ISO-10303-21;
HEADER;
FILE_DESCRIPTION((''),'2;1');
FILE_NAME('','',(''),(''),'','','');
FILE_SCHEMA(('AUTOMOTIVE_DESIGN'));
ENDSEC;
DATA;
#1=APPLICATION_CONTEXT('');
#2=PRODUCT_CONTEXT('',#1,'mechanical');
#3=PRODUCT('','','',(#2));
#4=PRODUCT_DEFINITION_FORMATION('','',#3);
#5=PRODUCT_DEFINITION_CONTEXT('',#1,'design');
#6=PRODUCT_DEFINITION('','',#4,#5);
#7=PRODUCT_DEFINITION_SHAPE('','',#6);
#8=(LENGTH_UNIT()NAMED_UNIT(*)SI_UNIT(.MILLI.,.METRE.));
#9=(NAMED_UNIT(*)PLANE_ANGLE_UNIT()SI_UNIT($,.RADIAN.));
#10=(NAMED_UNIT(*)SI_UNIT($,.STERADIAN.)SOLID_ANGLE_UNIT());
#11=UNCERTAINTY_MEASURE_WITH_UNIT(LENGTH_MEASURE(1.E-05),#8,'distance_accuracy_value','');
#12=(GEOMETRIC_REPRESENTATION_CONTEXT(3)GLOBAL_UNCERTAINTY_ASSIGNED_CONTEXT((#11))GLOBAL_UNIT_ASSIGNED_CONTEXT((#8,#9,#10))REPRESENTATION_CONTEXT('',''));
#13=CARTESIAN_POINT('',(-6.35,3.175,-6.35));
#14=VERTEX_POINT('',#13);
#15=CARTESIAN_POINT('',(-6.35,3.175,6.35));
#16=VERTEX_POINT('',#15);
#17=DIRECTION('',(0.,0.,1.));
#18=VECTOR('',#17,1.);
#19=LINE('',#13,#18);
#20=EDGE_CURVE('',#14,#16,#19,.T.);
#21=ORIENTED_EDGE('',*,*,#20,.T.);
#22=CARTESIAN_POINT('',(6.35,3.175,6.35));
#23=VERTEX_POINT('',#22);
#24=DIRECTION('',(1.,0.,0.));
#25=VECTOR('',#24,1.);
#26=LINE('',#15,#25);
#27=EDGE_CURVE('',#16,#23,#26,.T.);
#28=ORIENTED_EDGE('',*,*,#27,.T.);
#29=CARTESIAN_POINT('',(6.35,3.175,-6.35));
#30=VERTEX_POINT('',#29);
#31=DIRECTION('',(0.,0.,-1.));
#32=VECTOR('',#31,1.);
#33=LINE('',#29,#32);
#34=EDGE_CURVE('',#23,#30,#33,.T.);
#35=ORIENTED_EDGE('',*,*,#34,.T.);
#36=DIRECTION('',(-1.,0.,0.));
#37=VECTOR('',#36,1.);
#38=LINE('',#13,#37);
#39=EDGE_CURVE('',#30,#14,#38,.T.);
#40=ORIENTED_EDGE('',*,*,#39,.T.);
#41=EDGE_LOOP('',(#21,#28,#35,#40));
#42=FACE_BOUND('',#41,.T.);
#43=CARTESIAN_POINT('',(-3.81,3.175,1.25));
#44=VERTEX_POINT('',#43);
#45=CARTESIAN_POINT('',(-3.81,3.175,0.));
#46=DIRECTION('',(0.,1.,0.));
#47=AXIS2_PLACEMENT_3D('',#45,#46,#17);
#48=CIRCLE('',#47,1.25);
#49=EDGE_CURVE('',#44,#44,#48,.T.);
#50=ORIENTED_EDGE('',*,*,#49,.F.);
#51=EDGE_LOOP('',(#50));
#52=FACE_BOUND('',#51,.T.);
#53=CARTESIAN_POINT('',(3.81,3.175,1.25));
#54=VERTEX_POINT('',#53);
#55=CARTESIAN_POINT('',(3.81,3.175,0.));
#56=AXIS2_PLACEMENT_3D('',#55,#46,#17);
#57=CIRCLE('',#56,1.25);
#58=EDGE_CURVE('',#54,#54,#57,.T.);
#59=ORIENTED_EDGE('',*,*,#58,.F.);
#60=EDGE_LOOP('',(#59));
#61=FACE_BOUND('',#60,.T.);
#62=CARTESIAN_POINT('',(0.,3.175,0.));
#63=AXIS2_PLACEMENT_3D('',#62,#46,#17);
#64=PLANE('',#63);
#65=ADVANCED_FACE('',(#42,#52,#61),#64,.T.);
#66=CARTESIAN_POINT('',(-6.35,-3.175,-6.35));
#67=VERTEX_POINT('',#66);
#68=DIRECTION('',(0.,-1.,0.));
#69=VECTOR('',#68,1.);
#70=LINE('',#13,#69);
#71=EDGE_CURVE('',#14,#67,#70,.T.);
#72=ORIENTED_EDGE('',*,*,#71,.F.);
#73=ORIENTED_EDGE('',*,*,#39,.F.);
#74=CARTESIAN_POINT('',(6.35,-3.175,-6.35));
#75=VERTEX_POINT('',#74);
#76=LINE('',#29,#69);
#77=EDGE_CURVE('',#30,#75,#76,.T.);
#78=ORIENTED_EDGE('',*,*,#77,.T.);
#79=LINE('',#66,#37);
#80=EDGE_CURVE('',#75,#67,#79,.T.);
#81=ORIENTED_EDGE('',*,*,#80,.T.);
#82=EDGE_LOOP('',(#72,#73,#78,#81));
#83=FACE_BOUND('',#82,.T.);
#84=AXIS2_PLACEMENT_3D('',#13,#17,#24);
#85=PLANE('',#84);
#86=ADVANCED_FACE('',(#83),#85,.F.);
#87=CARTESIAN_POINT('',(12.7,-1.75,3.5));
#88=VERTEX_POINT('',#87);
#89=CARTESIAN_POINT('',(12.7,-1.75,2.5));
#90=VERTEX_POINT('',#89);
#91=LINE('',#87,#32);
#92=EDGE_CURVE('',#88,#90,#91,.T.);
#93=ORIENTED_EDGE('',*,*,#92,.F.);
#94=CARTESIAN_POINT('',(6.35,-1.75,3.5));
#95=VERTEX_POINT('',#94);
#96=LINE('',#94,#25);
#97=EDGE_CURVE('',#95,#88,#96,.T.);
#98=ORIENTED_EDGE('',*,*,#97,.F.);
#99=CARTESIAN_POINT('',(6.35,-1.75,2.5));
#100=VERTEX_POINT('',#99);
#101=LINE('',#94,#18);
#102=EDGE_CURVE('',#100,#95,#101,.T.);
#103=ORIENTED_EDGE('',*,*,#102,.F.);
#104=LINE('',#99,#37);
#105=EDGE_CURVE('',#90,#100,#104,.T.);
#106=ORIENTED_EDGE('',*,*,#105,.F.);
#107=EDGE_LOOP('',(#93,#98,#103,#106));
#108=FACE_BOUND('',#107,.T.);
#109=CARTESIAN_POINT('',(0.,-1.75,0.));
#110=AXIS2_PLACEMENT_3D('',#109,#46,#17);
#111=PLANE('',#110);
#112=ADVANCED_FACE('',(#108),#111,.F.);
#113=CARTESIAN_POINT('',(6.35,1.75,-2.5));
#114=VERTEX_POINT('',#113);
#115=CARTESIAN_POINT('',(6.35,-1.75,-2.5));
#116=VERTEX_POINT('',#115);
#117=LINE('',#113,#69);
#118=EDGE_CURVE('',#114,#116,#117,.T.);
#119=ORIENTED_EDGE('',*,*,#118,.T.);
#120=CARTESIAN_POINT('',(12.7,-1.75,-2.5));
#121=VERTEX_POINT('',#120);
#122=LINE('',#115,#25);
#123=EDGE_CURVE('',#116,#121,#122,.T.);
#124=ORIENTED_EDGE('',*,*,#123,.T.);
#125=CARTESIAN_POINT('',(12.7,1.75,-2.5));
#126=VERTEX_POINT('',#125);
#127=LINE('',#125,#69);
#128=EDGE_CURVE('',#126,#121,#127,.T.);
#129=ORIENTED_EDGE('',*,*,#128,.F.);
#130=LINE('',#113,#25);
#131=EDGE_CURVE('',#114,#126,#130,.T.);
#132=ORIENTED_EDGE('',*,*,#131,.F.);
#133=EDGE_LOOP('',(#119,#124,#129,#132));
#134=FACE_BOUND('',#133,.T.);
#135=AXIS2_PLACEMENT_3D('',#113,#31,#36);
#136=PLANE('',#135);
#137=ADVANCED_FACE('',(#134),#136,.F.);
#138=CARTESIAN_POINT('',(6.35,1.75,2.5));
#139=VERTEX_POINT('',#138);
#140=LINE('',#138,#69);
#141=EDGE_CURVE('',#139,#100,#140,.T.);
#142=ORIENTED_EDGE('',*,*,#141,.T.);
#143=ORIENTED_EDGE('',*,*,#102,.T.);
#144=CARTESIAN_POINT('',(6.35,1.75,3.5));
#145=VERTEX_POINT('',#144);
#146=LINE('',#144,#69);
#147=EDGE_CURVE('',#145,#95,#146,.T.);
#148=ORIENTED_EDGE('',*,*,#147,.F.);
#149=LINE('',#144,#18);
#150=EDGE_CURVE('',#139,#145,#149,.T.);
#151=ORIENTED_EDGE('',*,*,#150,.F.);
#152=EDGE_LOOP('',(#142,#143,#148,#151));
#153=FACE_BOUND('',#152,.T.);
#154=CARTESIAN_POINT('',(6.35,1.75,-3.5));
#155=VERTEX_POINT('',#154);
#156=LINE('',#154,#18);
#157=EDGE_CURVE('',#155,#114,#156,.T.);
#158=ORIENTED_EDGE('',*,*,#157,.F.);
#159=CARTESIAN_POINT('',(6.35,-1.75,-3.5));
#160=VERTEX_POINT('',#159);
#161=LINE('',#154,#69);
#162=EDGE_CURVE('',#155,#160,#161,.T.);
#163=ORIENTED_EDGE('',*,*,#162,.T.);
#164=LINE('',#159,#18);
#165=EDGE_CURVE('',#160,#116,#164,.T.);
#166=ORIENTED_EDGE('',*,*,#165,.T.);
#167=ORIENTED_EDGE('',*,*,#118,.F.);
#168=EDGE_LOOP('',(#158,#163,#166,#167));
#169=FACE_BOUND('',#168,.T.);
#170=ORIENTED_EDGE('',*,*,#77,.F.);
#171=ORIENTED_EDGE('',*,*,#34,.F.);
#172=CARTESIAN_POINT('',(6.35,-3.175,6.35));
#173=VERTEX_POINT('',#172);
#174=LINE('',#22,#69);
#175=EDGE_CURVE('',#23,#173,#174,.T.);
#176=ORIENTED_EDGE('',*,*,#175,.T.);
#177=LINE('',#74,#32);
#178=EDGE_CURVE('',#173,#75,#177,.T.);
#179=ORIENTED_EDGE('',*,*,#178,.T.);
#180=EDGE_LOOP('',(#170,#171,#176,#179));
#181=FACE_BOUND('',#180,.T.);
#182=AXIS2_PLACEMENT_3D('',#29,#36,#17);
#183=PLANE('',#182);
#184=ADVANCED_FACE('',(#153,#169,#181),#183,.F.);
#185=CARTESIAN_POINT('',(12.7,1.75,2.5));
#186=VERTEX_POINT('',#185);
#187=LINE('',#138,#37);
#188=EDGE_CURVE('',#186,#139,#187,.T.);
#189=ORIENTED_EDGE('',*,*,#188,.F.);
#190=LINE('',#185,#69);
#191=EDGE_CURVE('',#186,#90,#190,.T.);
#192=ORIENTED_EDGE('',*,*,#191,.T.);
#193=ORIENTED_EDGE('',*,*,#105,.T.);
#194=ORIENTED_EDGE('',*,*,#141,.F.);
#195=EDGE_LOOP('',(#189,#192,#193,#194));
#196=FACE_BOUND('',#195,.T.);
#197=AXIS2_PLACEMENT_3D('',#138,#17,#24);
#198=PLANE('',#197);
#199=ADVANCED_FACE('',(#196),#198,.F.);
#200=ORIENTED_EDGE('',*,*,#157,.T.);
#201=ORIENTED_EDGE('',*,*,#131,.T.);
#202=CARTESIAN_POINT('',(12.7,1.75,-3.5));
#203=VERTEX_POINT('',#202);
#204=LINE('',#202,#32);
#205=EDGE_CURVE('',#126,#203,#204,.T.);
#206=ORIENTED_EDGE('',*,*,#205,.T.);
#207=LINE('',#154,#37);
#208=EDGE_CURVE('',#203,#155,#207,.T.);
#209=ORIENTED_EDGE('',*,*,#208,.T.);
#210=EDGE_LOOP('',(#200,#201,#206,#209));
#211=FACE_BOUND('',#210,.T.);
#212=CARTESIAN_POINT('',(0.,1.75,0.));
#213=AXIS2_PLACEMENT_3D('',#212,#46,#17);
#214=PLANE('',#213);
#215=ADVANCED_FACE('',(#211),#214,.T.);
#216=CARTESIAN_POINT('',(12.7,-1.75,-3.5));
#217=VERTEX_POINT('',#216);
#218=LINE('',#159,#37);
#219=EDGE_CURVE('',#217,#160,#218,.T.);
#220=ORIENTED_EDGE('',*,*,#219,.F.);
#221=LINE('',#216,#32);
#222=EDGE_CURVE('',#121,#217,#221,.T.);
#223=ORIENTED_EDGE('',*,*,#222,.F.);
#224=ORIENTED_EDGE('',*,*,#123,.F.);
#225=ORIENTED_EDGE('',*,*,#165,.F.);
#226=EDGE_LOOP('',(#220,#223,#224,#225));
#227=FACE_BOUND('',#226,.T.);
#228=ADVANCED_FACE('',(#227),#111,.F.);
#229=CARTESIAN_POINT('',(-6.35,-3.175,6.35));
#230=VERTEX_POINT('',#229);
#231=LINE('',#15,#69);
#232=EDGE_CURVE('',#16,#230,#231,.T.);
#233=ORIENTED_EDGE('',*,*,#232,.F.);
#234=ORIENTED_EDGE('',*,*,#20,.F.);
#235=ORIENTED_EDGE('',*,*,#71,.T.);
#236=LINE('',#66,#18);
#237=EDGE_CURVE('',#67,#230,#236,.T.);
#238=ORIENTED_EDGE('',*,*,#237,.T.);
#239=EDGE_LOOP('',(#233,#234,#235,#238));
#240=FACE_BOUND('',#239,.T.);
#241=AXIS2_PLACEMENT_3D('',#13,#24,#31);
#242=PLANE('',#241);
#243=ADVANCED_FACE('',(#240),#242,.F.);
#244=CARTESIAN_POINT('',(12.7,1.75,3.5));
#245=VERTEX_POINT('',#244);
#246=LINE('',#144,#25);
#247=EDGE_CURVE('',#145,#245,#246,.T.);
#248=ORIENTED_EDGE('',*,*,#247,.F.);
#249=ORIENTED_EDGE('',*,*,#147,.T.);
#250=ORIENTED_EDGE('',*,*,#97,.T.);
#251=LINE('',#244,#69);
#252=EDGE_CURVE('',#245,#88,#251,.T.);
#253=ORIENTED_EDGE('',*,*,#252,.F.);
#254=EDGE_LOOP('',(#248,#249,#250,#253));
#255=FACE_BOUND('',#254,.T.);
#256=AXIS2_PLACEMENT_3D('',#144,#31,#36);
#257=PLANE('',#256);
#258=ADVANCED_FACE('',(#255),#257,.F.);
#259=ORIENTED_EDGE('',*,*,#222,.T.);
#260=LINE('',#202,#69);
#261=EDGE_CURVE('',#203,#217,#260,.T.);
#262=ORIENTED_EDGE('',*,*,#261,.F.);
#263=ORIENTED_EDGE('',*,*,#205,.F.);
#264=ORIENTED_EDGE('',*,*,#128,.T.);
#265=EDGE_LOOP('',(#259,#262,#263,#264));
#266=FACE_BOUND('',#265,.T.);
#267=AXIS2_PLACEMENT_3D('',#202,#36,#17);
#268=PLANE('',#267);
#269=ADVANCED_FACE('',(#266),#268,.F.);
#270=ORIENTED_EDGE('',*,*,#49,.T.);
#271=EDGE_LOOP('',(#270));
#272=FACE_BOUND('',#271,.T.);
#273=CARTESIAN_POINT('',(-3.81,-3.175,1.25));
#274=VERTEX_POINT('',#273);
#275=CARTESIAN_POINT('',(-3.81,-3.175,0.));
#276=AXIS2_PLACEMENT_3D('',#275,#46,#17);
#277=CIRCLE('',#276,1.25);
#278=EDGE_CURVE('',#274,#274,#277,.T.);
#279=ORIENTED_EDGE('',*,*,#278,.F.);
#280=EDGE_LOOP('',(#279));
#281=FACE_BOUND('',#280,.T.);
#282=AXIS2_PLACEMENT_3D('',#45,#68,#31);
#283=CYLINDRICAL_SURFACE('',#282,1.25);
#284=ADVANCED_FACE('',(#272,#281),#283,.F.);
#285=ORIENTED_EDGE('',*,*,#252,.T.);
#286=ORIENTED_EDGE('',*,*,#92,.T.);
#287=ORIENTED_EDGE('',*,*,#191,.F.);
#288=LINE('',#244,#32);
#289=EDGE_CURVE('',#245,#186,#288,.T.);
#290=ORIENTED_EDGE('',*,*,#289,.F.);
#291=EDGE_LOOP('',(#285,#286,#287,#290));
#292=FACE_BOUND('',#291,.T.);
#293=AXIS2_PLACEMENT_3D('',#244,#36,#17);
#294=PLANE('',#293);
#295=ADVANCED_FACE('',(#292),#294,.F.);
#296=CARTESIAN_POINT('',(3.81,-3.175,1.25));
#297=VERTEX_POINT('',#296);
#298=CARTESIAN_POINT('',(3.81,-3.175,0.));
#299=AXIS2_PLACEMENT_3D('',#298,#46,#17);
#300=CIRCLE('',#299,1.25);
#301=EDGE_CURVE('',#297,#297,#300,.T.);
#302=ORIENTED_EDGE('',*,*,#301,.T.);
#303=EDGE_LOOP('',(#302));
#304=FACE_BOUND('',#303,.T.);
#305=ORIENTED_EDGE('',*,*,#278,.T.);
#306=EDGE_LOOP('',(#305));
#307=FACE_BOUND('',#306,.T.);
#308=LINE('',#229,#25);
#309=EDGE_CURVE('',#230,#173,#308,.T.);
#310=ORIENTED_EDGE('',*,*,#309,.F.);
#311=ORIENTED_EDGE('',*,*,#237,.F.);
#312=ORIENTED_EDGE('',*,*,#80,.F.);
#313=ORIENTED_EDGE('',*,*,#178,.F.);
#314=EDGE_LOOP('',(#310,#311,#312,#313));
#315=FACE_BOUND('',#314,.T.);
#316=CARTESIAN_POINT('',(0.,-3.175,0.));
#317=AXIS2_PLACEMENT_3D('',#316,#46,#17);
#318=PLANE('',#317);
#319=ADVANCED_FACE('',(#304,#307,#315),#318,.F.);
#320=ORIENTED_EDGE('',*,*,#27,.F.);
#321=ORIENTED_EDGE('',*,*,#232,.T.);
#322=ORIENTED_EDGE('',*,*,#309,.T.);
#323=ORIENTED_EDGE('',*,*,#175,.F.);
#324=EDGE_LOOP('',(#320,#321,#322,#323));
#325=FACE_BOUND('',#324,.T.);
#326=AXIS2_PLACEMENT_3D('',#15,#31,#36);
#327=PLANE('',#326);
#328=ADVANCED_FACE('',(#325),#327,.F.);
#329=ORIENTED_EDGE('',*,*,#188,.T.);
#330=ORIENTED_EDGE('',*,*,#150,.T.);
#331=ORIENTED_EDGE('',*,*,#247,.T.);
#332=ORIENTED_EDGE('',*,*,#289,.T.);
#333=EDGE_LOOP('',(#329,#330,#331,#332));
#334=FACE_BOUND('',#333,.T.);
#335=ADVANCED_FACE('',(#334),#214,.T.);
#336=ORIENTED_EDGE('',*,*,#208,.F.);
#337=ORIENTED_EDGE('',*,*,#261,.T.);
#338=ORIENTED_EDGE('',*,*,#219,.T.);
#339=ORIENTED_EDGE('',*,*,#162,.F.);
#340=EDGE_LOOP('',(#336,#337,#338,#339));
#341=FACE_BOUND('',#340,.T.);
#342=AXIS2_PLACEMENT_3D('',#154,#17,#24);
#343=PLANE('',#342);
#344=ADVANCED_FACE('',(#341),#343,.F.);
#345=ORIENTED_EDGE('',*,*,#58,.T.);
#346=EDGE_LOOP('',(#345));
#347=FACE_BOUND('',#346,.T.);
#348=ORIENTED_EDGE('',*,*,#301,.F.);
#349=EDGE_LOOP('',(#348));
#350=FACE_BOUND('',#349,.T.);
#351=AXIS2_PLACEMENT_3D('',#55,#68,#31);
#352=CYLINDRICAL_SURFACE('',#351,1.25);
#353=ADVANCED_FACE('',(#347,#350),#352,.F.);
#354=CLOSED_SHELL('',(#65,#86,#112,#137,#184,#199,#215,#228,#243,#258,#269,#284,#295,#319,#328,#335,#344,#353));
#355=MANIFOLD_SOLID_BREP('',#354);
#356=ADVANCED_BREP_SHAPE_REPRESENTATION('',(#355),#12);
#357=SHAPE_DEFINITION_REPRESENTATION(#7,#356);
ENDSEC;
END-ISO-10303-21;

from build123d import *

# Parameters (mm, degrees)
SKETCH1_W           = 12.7
SKETCH1_H           = 12.7
SKETCH1_R           = 1.25
BOSS_EXTRUDE1_DEPTH = 3.175
SKETCH2_W           = 6.35
SKETCH2_H           = 1
BOSS_EXTRUDE2_DEPTH = 1.75


with BuildPart() as part:
    # Sketch1 → Boss-Extrude1 (new body, symmetric)
    with BuildSketch(Plane(origin=(0, 0, 0), x_dir=(1, 0, 0), z_dir=(0, 1, 0))):
        Rectangle(SKETCH1_W, SKETCH1_H)
        with Locations((-3.81, 0)):
            Circle(SKETCH1_R, mode=Mode.SUBTRACT)
        with Locations((3.81, 0)):
            Circle(SKETCH1_R, mode=Mode.SUBTRACT)
    extrude(amount=BOSS_EXTRUDE1_DEPTH, both=True)

    # Sketch2 → Boss-Extrude2 (add, symmetric)
    with BuildSketch(Plane(origin=(0, 0, 0), x_dir=(1, 0, 0), z_dir=(0, 1, 0))):
        with Locations((9.525, 3)):
            Rectangle(SKETCH2_W, SKETCH2_H)
        with Locations((9.525, -3)):
            Rectangle(SKETCH2_W, SKETCH2_H)
    extrude(amount=BOSS_EXTRUDE2_DEPTH, both=True)


solid = part.part
